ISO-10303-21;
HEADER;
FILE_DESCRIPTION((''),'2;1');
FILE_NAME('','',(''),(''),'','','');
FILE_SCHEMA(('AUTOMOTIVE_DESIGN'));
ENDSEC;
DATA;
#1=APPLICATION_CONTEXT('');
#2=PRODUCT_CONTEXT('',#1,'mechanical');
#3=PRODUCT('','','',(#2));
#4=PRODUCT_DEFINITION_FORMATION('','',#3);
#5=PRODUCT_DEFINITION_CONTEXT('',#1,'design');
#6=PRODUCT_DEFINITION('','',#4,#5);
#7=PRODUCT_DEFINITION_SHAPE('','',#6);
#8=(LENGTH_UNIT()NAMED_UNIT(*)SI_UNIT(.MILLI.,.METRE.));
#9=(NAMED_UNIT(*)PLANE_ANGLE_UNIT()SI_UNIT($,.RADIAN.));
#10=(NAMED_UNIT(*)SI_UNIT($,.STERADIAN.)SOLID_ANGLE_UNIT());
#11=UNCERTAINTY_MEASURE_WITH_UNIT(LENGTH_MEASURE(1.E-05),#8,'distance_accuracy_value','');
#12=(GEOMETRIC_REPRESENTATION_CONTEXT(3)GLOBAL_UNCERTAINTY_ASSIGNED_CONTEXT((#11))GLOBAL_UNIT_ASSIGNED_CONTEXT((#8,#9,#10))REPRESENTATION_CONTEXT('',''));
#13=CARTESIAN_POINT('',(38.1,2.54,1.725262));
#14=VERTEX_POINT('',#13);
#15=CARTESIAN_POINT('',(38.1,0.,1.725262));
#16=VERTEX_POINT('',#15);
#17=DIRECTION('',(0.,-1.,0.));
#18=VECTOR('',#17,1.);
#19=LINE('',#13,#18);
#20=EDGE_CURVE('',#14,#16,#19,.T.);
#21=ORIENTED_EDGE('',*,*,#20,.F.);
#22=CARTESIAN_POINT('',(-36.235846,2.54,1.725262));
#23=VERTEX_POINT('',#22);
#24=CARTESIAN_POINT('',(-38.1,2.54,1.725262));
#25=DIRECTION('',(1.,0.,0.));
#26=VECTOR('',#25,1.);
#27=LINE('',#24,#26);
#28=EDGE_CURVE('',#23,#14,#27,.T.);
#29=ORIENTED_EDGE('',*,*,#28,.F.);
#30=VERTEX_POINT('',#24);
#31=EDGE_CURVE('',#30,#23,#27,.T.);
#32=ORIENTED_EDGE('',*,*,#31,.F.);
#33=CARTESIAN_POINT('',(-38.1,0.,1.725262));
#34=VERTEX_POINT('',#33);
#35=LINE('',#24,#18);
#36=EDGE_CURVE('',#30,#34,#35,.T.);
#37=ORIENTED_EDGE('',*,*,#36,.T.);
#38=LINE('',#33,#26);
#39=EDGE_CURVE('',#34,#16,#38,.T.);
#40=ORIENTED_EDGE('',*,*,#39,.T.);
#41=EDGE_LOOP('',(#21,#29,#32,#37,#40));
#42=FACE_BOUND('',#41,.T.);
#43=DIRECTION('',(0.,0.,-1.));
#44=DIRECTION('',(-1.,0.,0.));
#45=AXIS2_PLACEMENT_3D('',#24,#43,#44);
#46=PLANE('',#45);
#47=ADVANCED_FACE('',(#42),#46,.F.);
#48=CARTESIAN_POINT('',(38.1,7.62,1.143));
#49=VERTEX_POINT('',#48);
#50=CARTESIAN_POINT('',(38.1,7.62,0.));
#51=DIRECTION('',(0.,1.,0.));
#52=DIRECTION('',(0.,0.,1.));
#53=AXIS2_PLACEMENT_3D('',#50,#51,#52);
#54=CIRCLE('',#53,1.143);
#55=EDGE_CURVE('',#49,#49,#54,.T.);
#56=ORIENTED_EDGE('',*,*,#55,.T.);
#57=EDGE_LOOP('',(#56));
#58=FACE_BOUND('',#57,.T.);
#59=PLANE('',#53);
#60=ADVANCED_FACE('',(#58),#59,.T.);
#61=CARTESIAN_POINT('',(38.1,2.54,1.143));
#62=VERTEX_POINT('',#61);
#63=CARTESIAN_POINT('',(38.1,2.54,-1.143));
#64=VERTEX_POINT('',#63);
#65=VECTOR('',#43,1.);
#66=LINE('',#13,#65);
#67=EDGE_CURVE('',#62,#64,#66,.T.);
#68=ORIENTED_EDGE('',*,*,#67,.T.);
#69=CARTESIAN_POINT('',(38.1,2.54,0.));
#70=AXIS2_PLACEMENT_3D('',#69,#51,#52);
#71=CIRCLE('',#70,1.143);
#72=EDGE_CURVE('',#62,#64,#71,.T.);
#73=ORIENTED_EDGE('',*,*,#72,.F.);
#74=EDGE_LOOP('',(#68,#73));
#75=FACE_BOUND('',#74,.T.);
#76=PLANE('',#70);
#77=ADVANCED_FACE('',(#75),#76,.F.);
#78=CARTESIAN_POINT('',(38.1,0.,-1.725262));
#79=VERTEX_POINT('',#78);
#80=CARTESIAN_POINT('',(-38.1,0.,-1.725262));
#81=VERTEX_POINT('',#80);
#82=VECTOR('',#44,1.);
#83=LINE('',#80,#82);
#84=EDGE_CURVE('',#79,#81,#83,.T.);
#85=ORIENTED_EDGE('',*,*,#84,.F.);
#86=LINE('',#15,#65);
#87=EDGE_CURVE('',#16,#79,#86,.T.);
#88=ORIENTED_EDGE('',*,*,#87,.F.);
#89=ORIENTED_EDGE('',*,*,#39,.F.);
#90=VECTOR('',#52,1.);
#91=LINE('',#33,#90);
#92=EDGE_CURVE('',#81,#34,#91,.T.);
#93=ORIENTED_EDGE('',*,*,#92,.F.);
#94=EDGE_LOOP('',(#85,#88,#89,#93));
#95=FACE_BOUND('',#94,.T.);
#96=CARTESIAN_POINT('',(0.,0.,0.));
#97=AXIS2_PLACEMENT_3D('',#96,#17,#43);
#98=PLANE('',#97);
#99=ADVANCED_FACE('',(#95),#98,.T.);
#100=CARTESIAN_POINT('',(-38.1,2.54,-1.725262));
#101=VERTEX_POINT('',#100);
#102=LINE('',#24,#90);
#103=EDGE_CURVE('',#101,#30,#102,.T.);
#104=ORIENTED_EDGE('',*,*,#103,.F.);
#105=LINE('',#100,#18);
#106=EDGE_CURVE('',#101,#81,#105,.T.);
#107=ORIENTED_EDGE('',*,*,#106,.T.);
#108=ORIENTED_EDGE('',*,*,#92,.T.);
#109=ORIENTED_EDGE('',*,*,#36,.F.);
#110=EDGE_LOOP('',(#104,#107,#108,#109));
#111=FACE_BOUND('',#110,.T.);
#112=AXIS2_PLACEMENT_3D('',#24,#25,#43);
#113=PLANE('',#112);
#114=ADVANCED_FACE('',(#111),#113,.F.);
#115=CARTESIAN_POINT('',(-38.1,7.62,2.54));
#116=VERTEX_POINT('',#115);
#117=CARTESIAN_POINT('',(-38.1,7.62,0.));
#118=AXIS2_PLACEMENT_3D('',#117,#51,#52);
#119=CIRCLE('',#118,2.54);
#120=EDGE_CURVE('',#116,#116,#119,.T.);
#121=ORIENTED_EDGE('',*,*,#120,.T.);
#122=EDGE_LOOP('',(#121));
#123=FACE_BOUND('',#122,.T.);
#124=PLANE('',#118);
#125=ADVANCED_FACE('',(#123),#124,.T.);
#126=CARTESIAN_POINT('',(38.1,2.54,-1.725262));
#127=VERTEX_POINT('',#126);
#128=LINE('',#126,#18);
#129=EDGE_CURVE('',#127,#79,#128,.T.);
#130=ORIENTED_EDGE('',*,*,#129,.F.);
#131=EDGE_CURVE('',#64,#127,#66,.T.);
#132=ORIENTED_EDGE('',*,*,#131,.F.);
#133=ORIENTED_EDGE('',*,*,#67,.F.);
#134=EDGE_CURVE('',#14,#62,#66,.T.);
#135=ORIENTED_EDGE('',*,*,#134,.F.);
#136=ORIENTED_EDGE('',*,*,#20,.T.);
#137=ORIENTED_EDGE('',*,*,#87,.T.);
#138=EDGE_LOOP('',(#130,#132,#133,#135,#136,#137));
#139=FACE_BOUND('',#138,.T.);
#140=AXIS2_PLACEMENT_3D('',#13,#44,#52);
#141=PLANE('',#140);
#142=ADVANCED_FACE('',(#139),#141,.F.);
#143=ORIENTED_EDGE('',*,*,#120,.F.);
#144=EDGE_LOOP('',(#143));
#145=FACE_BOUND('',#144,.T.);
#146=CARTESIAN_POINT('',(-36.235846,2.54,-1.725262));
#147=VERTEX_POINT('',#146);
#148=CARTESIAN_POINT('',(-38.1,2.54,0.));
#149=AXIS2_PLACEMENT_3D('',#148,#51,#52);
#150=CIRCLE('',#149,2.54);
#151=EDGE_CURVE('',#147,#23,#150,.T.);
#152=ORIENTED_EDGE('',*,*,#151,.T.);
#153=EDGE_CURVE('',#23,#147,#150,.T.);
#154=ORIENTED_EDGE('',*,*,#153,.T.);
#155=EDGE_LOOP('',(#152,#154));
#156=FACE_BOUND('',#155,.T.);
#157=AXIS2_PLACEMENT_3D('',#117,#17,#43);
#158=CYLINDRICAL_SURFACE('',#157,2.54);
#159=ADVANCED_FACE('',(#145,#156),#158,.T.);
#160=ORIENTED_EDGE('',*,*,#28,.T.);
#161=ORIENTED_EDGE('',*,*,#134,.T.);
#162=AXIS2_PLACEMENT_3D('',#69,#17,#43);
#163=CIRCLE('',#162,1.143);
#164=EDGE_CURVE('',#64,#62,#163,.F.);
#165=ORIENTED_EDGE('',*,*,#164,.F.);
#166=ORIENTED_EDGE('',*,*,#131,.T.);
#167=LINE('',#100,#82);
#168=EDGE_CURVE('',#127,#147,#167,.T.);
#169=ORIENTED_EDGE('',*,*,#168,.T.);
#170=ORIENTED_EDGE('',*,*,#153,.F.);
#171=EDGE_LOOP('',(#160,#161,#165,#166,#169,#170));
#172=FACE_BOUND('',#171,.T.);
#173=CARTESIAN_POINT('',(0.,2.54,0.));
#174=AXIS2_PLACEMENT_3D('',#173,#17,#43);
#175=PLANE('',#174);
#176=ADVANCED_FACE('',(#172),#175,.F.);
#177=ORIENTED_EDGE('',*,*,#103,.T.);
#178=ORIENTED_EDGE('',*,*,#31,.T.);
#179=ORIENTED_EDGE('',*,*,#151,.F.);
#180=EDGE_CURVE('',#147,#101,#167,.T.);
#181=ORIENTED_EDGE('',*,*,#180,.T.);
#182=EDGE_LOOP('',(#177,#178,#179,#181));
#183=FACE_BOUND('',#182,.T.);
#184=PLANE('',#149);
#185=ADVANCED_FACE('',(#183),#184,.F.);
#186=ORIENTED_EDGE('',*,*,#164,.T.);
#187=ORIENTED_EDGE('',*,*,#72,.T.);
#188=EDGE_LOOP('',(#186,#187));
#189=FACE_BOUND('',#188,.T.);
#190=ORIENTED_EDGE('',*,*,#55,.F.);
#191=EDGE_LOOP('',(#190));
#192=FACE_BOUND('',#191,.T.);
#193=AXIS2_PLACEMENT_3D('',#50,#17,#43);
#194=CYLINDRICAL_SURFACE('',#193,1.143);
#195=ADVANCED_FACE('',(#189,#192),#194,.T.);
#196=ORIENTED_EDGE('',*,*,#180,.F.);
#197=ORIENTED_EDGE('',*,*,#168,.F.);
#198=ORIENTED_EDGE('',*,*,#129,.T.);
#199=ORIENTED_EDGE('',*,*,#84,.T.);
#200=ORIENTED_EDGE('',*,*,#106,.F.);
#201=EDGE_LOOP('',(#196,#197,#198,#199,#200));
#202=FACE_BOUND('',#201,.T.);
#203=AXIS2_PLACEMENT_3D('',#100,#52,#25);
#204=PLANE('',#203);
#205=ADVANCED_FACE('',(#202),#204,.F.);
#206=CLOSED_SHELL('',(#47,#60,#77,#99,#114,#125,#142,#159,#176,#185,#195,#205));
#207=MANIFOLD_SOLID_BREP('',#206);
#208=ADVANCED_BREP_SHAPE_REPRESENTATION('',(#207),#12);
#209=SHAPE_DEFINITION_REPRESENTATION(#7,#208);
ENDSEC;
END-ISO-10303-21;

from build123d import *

# Parameters (mm, degrees)
SKETCH1_W           = 76.2
SKETCH1_H           = 3.45052473
BOSS_EXTRUDE1_DEPTH = 2.54
SKETCH2_R           = 2.54
BOSS_EXTRUDE2_DEPTH = 5.08
SKETCH3_R           = 1.143
BOSS_EXTRUDE3_DEPTH = 5.08


with BuildPart() as part:
    # Sketch1 → Boss-Extrude1 (new body)
    with BuildSketch(Plane(origin=(0, 0, 0), x_dir=(1, 0, 0), z_dir=(0, 1, 0))):
        Rectangle(SKETCH1_W, SKETCH1_H)
    extrude(amount=BOSS_EXTRUDE1_DEPTH)

    # Sketch2 → Boss-Extrude2 (add)
    with BuildSketch(Plane(origin=(0, 2.54, 0), x_dir=(1, 0, 0), z_dir=(0, 1, 0))):
        with Locations((-38.1, 0)):
            Circle(SKETCH2_R)
    extrude(amount=BOSS_EXTRUDE2_DEPTH)

    # Sketch3 → Boss-Extrude3 (add)
    with BuildSketch(Plane(origin=(0, 2.54, 0), x_dir=(1, 0, 0), z_dir=(0, 1, 0))):
        with Locations((38.1, 0)):
            Circle(SKETCH3_R)
    extrude(amount=BOSS_EXTRUDE3_DEPTH)


solid = part.part
